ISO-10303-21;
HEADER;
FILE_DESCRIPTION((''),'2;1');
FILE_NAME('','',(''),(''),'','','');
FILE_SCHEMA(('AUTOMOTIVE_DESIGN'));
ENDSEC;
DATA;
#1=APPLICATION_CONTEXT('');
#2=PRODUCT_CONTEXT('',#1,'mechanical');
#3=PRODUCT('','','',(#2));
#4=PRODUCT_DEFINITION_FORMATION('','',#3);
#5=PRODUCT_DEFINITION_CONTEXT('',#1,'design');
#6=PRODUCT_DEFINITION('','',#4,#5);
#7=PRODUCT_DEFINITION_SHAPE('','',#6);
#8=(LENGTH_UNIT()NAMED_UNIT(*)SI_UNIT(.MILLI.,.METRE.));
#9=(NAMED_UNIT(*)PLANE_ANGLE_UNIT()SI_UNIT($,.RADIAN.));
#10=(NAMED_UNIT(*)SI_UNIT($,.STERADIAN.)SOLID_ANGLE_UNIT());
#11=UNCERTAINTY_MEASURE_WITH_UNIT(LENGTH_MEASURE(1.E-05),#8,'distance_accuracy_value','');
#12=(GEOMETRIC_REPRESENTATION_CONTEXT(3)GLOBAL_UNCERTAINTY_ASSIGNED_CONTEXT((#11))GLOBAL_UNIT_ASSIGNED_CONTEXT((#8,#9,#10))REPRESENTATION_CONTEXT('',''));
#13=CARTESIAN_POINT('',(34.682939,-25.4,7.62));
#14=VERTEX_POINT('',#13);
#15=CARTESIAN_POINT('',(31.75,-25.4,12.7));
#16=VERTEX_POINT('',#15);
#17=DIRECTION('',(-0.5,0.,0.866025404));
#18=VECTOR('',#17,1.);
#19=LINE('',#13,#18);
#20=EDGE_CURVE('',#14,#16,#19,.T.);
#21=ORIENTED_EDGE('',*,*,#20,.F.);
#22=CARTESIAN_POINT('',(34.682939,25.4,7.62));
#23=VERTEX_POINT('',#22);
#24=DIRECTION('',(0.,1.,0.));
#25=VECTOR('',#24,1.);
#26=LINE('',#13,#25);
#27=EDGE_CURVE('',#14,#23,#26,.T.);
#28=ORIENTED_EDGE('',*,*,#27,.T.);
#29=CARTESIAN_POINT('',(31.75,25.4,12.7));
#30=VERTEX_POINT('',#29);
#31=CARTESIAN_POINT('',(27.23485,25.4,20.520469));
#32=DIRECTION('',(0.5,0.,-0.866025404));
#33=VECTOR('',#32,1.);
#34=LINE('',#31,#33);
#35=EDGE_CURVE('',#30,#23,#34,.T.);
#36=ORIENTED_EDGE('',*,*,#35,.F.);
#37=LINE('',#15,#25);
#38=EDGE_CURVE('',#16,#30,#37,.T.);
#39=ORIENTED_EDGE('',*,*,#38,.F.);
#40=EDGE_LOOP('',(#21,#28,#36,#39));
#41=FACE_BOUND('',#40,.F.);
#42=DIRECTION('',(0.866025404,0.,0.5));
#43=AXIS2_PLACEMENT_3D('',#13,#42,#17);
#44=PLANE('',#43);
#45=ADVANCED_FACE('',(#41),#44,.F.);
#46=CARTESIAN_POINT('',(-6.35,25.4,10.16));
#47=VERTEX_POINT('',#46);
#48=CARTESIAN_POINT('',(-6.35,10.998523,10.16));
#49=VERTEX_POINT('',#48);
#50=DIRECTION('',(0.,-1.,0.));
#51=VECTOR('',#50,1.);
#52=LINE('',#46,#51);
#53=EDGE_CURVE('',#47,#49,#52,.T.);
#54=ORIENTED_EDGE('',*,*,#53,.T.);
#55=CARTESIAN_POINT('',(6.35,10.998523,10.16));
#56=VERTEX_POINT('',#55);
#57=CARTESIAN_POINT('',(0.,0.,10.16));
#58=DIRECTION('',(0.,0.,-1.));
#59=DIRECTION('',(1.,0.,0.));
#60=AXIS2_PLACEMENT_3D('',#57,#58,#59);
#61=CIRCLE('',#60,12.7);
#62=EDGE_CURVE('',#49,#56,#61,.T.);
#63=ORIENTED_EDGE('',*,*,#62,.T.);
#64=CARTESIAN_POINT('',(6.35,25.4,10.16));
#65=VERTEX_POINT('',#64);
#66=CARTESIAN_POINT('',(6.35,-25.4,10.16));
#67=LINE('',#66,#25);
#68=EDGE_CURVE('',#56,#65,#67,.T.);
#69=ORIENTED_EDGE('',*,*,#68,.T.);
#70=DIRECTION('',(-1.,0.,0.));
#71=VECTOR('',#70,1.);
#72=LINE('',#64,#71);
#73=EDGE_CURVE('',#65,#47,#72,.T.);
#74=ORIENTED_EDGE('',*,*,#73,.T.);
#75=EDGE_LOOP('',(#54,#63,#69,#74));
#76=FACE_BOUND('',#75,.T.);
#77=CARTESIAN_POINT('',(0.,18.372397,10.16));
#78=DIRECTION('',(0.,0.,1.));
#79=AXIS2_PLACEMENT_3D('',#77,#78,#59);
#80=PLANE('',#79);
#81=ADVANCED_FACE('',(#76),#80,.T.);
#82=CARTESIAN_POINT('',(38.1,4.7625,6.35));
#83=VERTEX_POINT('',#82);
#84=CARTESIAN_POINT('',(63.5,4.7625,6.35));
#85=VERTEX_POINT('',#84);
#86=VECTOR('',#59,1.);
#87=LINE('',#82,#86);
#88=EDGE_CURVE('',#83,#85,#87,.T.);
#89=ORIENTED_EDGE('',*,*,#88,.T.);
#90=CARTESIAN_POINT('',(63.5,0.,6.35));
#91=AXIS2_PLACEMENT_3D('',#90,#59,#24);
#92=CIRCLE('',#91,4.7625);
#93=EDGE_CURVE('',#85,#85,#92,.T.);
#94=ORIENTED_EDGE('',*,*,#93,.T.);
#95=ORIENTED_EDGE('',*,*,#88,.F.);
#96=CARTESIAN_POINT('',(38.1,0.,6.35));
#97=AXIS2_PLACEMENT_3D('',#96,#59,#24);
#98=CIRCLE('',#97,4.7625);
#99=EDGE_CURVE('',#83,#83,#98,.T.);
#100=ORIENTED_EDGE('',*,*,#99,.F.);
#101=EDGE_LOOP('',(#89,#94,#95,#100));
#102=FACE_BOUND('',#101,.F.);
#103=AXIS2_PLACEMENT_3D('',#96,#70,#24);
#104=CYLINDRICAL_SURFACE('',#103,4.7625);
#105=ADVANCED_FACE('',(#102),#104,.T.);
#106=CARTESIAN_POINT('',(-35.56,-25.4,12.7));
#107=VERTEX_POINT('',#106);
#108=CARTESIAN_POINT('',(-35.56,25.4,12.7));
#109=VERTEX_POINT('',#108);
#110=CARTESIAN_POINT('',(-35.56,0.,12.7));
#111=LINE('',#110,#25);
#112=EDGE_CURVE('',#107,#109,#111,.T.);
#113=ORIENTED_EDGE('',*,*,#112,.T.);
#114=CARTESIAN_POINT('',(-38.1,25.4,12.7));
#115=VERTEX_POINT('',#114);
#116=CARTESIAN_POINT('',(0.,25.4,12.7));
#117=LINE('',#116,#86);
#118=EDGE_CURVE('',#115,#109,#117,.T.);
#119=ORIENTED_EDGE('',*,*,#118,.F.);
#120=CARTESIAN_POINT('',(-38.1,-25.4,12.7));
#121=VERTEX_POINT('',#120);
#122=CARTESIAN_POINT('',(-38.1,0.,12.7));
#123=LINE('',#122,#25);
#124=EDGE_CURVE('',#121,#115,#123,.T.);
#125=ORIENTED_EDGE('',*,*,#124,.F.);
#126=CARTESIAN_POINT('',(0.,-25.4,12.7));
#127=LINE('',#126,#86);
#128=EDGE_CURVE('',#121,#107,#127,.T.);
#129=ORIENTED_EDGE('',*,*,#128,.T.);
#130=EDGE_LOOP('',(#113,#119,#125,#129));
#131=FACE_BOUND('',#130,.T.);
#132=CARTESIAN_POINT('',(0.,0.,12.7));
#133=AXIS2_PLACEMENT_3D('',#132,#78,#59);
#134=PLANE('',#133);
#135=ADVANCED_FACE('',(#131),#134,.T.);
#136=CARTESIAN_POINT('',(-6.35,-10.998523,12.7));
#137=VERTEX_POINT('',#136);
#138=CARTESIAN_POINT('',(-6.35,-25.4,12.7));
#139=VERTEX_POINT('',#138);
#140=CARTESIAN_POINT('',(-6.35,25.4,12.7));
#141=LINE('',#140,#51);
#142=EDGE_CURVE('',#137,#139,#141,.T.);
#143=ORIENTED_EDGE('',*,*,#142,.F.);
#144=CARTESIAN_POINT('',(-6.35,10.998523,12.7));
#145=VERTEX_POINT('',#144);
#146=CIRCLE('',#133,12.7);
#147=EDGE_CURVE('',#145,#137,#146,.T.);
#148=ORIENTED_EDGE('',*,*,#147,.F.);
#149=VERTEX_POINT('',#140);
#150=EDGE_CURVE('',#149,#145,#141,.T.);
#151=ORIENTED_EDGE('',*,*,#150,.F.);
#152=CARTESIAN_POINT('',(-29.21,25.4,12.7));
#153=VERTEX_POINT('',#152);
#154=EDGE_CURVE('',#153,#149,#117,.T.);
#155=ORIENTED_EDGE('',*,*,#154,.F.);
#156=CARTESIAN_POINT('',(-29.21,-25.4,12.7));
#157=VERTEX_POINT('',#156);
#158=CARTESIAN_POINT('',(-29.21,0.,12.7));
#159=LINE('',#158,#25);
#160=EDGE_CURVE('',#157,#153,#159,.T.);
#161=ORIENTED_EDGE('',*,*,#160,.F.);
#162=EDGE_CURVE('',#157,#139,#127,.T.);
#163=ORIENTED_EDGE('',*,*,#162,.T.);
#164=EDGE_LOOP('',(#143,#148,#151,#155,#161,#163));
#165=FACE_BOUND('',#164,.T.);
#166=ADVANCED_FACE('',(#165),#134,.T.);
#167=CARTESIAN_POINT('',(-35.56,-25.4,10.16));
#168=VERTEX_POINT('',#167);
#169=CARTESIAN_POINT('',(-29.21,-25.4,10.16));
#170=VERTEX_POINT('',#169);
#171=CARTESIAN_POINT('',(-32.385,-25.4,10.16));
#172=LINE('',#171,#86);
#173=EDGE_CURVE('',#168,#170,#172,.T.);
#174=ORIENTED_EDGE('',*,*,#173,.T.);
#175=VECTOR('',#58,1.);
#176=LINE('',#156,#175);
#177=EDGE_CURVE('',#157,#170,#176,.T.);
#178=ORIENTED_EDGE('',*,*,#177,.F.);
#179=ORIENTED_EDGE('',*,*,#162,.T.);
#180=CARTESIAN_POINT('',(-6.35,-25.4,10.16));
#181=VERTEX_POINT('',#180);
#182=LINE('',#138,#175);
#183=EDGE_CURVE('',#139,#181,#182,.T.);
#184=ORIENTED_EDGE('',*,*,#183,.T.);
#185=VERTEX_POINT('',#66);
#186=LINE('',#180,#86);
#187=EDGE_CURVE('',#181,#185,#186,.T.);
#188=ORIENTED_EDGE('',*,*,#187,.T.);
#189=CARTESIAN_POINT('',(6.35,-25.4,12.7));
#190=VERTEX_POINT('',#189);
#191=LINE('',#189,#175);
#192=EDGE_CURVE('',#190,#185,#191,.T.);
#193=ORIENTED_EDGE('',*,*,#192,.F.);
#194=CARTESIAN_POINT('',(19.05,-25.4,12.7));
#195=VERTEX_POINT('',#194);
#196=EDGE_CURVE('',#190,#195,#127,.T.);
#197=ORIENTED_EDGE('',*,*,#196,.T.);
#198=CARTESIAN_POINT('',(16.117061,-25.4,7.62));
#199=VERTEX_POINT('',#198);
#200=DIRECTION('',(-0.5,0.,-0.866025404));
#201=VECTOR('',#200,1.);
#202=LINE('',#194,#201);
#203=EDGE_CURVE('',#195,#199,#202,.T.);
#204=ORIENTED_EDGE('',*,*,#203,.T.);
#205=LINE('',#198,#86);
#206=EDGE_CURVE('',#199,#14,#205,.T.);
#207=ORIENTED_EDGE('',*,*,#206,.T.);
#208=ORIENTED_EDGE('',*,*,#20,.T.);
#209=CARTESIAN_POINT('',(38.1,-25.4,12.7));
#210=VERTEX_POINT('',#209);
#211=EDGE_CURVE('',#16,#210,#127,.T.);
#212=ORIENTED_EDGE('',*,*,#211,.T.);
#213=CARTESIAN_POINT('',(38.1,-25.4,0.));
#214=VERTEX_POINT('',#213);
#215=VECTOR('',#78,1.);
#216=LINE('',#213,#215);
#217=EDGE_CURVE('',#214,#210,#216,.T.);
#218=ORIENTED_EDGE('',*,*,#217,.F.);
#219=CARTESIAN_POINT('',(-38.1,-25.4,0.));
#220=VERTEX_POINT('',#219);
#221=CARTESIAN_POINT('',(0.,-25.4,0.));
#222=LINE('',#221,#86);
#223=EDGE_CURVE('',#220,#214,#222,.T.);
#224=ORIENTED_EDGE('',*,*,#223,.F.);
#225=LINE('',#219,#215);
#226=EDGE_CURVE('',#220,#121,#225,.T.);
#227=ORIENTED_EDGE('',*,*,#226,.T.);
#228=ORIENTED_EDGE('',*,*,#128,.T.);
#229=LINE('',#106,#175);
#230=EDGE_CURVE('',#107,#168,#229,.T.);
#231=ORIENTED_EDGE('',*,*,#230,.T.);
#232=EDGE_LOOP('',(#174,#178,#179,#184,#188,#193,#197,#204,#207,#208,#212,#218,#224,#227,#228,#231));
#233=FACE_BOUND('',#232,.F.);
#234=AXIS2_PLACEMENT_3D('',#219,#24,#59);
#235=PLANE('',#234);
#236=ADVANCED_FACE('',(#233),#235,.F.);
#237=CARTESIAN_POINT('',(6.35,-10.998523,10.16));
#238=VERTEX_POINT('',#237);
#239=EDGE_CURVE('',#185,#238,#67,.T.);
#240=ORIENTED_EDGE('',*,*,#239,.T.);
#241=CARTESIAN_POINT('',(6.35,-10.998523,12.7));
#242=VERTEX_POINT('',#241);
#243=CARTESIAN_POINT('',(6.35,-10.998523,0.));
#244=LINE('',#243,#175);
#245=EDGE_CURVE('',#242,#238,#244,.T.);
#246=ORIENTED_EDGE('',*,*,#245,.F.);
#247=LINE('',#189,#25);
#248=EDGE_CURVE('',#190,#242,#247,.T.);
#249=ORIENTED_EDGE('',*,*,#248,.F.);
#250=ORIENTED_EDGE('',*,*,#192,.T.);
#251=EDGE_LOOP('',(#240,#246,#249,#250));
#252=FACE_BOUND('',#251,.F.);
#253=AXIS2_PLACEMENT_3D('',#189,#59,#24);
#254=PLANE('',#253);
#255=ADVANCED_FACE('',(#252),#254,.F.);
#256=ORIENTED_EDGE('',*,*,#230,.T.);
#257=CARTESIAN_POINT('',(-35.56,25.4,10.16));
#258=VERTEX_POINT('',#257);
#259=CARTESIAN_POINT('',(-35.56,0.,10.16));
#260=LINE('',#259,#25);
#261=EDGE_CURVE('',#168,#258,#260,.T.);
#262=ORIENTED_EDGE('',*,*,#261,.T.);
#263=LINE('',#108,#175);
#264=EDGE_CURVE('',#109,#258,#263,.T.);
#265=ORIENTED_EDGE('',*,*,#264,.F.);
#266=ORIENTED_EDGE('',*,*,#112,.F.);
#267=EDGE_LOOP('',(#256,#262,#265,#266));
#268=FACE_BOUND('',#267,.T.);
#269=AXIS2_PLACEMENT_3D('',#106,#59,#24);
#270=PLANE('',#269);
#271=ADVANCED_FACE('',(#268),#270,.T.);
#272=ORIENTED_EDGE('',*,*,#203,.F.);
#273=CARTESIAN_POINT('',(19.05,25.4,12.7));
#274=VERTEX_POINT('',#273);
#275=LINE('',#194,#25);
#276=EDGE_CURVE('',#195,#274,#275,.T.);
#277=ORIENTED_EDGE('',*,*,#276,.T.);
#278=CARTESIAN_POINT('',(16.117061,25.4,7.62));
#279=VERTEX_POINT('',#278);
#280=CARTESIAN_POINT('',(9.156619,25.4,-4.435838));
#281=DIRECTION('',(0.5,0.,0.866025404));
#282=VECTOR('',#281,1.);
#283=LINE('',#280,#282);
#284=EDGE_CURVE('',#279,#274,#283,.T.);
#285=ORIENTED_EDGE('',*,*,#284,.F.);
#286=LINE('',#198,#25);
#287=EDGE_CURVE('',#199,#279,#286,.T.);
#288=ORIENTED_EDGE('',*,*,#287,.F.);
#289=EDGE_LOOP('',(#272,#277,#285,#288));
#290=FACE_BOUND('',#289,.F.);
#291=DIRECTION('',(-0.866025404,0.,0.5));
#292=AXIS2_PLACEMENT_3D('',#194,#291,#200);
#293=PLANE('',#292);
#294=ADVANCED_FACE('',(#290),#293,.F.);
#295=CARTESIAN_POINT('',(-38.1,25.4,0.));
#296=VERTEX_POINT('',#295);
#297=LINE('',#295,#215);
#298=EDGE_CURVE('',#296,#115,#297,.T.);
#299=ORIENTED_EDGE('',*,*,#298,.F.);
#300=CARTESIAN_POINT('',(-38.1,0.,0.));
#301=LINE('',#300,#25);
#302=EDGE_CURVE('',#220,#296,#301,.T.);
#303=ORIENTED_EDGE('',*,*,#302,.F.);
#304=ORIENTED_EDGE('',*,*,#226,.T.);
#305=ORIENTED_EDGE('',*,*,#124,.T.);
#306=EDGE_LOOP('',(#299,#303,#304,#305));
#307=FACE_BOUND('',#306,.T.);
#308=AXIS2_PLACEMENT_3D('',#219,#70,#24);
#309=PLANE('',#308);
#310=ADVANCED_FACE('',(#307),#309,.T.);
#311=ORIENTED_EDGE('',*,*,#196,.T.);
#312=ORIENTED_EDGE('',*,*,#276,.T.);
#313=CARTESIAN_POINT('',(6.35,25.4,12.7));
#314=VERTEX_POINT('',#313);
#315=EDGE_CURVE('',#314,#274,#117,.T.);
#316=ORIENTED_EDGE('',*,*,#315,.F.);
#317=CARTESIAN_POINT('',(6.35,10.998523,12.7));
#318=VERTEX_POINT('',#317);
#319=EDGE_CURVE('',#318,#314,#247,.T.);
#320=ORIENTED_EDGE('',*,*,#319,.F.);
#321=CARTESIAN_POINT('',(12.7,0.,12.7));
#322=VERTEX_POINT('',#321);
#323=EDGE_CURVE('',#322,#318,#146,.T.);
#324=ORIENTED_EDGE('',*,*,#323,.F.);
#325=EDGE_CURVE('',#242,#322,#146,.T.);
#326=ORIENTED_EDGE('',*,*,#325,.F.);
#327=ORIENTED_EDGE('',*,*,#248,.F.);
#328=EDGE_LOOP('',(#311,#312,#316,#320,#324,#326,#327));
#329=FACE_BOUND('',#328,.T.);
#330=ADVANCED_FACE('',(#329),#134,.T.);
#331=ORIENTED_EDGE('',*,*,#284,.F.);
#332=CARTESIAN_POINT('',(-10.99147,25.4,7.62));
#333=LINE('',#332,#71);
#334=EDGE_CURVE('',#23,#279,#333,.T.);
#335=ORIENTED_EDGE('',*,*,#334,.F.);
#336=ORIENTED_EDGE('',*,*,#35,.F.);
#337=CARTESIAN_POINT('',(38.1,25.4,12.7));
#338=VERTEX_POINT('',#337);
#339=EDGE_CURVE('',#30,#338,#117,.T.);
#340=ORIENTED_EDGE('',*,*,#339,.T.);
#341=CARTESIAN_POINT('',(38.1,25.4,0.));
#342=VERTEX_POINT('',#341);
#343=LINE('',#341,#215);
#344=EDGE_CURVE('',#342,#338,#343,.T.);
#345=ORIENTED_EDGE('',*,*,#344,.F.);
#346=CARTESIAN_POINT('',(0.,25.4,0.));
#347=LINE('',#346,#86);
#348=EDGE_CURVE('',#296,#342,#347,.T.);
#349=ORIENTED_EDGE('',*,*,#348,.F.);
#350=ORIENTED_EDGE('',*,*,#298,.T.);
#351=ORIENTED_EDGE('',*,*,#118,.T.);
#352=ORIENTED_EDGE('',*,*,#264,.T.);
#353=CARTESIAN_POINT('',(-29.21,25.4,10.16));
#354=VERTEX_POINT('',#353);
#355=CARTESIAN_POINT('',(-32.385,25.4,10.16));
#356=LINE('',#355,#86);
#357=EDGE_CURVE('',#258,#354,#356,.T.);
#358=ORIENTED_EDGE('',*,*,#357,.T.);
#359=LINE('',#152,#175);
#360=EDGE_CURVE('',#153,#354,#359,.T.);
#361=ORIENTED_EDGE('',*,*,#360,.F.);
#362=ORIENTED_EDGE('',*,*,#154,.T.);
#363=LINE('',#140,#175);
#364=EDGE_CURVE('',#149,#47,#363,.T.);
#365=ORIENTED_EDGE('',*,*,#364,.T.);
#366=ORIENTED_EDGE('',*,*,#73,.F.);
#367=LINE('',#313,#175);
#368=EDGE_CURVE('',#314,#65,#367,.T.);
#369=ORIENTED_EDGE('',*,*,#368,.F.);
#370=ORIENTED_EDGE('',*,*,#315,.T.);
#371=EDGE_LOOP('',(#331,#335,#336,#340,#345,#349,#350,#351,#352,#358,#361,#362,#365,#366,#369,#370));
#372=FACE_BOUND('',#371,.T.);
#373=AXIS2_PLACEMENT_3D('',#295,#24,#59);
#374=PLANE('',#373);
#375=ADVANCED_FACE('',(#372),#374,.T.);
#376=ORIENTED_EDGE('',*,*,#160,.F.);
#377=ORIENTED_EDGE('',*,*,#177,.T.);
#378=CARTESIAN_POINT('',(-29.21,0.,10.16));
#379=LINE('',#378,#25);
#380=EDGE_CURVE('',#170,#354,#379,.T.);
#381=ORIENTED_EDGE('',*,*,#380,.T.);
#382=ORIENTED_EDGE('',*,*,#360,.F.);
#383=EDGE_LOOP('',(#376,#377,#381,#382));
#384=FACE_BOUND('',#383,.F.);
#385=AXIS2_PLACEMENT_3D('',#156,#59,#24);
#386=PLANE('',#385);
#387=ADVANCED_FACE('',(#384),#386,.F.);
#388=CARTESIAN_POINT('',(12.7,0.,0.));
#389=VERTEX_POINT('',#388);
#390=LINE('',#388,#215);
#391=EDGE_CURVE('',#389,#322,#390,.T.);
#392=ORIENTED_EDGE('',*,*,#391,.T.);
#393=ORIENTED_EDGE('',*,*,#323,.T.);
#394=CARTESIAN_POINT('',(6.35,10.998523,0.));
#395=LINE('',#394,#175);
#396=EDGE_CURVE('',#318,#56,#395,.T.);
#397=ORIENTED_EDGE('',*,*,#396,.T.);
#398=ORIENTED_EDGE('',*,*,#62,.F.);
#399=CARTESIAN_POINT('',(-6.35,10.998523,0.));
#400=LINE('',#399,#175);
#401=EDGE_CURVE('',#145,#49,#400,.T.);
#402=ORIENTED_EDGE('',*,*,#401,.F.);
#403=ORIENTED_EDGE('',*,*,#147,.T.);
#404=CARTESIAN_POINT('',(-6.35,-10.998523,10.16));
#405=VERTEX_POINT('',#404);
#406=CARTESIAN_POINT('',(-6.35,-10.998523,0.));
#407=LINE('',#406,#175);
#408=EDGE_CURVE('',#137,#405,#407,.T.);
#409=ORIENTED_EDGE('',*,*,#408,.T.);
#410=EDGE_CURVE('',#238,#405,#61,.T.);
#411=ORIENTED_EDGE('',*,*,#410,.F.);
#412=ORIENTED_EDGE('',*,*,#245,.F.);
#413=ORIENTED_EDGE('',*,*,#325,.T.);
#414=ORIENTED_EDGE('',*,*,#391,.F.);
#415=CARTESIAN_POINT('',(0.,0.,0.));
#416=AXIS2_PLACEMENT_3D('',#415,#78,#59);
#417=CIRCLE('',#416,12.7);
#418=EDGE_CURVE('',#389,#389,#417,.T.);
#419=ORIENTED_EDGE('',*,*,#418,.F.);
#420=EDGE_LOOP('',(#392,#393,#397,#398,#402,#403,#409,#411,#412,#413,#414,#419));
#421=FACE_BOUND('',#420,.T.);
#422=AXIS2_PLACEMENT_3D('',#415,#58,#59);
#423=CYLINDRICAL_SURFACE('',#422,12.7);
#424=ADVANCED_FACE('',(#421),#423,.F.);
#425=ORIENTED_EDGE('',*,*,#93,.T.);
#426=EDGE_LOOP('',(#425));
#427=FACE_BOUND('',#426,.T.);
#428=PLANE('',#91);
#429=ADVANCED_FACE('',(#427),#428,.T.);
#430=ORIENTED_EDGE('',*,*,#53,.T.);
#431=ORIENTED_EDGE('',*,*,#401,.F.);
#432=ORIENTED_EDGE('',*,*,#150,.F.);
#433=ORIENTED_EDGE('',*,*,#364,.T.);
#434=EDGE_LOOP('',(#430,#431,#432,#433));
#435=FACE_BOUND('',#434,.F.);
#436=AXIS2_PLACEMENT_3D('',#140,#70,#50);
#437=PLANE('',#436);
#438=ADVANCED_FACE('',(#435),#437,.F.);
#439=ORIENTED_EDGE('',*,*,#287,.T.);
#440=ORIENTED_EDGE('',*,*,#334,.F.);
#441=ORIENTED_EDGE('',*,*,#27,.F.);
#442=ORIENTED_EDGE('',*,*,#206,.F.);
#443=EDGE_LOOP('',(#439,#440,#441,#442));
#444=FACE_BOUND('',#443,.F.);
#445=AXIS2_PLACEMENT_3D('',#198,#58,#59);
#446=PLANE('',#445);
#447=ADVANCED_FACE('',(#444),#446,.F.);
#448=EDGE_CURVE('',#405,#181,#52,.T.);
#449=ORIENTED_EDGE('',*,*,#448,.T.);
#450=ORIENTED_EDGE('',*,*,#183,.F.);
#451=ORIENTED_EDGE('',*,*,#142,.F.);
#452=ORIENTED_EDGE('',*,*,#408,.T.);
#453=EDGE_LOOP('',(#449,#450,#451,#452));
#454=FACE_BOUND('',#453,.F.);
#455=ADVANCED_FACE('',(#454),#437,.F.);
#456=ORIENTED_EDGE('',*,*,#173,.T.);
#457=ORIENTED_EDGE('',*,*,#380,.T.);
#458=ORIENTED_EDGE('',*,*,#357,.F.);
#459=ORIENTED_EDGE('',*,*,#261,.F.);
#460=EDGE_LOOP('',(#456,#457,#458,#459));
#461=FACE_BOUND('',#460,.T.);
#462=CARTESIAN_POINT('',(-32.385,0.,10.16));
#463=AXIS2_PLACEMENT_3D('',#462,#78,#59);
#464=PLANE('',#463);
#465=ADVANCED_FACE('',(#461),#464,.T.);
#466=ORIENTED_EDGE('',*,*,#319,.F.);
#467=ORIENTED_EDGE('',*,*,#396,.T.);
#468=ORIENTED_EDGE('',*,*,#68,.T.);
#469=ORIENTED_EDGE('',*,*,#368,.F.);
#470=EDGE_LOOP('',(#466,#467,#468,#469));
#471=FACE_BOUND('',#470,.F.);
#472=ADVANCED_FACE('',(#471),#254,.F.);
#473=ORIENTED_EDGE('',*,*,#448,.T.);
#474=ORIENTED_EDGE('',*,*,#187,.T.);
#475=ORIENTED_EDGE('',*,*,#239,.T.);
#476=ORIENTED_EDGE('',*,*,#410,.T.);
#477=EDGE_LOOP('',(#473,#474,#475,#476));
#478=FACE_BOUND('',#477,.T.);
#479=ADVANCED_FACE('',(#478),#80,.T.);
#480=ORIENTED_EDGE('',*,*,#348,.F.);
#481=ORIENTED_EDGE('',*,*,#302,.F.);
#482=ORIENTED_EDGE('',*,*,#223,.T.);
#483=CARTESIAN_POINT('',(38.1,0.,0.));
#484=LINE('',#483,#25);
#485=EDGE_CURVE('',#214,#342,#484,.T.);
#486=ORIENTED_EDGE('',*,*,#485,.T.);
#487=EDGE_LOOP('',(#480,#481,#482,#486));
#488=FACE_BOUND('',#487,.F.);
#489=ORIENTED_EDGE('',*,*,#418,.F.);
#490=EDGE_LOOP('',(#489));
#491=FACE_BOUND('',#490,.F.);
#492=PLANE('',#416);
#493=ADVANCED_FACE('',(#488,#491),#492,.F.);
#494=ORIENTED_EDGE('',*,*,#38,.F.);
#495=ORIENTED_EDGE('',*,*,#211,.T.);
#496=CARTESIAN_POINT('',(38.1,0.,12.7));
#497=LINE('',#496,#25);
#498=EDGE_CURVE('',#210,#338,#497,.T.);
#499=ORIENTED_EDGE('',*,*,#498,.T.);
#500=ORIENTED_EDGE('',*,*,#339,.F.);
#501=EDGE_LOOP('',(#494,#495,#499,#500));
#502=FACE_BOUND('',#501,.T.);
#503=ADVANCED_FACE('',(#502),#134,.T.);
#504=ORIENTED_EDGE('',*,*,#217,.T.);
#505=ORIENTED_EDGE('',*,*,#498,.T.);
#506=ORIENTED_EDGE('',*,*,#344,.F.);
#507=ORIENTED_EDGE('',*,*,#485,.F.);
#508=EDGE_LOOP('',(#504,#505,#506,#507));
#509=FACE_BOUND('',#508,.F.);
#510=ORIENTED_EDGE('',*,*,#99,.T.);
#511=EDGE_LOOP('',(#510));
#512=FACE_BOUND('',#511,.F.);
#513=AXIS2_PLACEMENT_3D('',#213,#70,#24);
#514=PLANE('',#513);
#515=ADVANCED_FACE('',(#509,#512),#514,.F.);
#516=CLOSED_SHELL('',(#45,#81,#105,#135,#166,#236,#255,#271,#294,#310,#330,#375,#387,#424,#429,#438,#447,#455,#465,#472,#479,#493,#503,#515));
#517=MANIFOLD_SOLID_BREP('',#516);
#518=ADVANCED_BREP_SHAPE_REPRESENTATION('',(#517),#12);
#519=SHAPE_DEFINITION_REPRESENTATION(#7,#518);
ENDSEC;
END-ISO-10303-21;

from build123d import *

# Parameters (mm, degrees)
F0_W     = 76.2
F0_H     = 50.8
F0_R     = 12.7
F1_DEPTH = 12.7
F2_W     = 6.35
F2_H     = 50.8
F3_DEPTH = 2.54
F5_DEPTH = 50.801
F6_R     = 4.7625
F7_DEPTH = 25.4


with BuildPart() as f1:
    # F0 (on Top) → F1 (new body)
    with BuildSketch(Plane.XY):
        Rectangle(F0_W, F0_H)
        Circle(F0_R, mode=Mode.SUBTRACT)
    extrude(amount=F1_DEPTH)

    # F2 (on face) → F3 (cut)
    with BuildSketch(Plane.XY.offset(12.7)):
        with Locations((-32.385, 0)):
            Rectangle(F2_W, F2_H)
        with BuildLine():
            Line((6.35, 25.4), (-6.35, 25.4))
            Line((-6.35, 25.4), (-6.35, 10.9985226281))
            ThreePointArc((-6.35, 10.9985226281), (0, 12.7), (6.35, 10.9985226281))
            Line((6.35, 10.9985226281), (6.35, 25.4))
        make_face()
        with BuildLine():
            ThreePointArc((6.35, 10.9985226281), (0, 12.7), (-6.35, 10.9985226281))
            Line((-6.35, 10.9985226281), (-6.35, -10.9985226281))
            ThreePointArc((-6.35, -10.9985226281), (0, -12.7), (6.35, -10.9985226281))
            Line((6.35, -10.9985226281), (6.35, 10.9985226281))
        make_face()
        with BuildLine():
            Line((-6.35, -10.9985226281), (-6.35, -25.4))
            Line((-6.35, -25.4), (6.35, -25.4))
            Line((6.35, -25.4), (6.35, -10.9985226281))
            ThreePointArc((6.35, -10.9985226281), (0, -12.7), (-6.35, -10.9985226281))
        make_face()
    extrude(amount=-F3_DEPTH, mode=Mode.SUBTRACT)

    # F4 (on face) → F5 (cut, through all)
    with BuildSketch(Plane.XZ.offset(25.4)):
        Polygon((31.75, 12.7), (19.05, 12.7), (16.1170606325, 7.62), (34.6829393675, 7.62), align=None)
    extrude(amount=-F5_DEPTH, mode=Mode.SUBTRACT)

    # F6 (on face) → F7 (join)
    with BuildSketch(Plane.YZ.offset(38.1)):
        with Locations((0, 6.35)):
            Circle(F6_R)
    extrude(amount=F7_DEPTH)


solid = f1.part
